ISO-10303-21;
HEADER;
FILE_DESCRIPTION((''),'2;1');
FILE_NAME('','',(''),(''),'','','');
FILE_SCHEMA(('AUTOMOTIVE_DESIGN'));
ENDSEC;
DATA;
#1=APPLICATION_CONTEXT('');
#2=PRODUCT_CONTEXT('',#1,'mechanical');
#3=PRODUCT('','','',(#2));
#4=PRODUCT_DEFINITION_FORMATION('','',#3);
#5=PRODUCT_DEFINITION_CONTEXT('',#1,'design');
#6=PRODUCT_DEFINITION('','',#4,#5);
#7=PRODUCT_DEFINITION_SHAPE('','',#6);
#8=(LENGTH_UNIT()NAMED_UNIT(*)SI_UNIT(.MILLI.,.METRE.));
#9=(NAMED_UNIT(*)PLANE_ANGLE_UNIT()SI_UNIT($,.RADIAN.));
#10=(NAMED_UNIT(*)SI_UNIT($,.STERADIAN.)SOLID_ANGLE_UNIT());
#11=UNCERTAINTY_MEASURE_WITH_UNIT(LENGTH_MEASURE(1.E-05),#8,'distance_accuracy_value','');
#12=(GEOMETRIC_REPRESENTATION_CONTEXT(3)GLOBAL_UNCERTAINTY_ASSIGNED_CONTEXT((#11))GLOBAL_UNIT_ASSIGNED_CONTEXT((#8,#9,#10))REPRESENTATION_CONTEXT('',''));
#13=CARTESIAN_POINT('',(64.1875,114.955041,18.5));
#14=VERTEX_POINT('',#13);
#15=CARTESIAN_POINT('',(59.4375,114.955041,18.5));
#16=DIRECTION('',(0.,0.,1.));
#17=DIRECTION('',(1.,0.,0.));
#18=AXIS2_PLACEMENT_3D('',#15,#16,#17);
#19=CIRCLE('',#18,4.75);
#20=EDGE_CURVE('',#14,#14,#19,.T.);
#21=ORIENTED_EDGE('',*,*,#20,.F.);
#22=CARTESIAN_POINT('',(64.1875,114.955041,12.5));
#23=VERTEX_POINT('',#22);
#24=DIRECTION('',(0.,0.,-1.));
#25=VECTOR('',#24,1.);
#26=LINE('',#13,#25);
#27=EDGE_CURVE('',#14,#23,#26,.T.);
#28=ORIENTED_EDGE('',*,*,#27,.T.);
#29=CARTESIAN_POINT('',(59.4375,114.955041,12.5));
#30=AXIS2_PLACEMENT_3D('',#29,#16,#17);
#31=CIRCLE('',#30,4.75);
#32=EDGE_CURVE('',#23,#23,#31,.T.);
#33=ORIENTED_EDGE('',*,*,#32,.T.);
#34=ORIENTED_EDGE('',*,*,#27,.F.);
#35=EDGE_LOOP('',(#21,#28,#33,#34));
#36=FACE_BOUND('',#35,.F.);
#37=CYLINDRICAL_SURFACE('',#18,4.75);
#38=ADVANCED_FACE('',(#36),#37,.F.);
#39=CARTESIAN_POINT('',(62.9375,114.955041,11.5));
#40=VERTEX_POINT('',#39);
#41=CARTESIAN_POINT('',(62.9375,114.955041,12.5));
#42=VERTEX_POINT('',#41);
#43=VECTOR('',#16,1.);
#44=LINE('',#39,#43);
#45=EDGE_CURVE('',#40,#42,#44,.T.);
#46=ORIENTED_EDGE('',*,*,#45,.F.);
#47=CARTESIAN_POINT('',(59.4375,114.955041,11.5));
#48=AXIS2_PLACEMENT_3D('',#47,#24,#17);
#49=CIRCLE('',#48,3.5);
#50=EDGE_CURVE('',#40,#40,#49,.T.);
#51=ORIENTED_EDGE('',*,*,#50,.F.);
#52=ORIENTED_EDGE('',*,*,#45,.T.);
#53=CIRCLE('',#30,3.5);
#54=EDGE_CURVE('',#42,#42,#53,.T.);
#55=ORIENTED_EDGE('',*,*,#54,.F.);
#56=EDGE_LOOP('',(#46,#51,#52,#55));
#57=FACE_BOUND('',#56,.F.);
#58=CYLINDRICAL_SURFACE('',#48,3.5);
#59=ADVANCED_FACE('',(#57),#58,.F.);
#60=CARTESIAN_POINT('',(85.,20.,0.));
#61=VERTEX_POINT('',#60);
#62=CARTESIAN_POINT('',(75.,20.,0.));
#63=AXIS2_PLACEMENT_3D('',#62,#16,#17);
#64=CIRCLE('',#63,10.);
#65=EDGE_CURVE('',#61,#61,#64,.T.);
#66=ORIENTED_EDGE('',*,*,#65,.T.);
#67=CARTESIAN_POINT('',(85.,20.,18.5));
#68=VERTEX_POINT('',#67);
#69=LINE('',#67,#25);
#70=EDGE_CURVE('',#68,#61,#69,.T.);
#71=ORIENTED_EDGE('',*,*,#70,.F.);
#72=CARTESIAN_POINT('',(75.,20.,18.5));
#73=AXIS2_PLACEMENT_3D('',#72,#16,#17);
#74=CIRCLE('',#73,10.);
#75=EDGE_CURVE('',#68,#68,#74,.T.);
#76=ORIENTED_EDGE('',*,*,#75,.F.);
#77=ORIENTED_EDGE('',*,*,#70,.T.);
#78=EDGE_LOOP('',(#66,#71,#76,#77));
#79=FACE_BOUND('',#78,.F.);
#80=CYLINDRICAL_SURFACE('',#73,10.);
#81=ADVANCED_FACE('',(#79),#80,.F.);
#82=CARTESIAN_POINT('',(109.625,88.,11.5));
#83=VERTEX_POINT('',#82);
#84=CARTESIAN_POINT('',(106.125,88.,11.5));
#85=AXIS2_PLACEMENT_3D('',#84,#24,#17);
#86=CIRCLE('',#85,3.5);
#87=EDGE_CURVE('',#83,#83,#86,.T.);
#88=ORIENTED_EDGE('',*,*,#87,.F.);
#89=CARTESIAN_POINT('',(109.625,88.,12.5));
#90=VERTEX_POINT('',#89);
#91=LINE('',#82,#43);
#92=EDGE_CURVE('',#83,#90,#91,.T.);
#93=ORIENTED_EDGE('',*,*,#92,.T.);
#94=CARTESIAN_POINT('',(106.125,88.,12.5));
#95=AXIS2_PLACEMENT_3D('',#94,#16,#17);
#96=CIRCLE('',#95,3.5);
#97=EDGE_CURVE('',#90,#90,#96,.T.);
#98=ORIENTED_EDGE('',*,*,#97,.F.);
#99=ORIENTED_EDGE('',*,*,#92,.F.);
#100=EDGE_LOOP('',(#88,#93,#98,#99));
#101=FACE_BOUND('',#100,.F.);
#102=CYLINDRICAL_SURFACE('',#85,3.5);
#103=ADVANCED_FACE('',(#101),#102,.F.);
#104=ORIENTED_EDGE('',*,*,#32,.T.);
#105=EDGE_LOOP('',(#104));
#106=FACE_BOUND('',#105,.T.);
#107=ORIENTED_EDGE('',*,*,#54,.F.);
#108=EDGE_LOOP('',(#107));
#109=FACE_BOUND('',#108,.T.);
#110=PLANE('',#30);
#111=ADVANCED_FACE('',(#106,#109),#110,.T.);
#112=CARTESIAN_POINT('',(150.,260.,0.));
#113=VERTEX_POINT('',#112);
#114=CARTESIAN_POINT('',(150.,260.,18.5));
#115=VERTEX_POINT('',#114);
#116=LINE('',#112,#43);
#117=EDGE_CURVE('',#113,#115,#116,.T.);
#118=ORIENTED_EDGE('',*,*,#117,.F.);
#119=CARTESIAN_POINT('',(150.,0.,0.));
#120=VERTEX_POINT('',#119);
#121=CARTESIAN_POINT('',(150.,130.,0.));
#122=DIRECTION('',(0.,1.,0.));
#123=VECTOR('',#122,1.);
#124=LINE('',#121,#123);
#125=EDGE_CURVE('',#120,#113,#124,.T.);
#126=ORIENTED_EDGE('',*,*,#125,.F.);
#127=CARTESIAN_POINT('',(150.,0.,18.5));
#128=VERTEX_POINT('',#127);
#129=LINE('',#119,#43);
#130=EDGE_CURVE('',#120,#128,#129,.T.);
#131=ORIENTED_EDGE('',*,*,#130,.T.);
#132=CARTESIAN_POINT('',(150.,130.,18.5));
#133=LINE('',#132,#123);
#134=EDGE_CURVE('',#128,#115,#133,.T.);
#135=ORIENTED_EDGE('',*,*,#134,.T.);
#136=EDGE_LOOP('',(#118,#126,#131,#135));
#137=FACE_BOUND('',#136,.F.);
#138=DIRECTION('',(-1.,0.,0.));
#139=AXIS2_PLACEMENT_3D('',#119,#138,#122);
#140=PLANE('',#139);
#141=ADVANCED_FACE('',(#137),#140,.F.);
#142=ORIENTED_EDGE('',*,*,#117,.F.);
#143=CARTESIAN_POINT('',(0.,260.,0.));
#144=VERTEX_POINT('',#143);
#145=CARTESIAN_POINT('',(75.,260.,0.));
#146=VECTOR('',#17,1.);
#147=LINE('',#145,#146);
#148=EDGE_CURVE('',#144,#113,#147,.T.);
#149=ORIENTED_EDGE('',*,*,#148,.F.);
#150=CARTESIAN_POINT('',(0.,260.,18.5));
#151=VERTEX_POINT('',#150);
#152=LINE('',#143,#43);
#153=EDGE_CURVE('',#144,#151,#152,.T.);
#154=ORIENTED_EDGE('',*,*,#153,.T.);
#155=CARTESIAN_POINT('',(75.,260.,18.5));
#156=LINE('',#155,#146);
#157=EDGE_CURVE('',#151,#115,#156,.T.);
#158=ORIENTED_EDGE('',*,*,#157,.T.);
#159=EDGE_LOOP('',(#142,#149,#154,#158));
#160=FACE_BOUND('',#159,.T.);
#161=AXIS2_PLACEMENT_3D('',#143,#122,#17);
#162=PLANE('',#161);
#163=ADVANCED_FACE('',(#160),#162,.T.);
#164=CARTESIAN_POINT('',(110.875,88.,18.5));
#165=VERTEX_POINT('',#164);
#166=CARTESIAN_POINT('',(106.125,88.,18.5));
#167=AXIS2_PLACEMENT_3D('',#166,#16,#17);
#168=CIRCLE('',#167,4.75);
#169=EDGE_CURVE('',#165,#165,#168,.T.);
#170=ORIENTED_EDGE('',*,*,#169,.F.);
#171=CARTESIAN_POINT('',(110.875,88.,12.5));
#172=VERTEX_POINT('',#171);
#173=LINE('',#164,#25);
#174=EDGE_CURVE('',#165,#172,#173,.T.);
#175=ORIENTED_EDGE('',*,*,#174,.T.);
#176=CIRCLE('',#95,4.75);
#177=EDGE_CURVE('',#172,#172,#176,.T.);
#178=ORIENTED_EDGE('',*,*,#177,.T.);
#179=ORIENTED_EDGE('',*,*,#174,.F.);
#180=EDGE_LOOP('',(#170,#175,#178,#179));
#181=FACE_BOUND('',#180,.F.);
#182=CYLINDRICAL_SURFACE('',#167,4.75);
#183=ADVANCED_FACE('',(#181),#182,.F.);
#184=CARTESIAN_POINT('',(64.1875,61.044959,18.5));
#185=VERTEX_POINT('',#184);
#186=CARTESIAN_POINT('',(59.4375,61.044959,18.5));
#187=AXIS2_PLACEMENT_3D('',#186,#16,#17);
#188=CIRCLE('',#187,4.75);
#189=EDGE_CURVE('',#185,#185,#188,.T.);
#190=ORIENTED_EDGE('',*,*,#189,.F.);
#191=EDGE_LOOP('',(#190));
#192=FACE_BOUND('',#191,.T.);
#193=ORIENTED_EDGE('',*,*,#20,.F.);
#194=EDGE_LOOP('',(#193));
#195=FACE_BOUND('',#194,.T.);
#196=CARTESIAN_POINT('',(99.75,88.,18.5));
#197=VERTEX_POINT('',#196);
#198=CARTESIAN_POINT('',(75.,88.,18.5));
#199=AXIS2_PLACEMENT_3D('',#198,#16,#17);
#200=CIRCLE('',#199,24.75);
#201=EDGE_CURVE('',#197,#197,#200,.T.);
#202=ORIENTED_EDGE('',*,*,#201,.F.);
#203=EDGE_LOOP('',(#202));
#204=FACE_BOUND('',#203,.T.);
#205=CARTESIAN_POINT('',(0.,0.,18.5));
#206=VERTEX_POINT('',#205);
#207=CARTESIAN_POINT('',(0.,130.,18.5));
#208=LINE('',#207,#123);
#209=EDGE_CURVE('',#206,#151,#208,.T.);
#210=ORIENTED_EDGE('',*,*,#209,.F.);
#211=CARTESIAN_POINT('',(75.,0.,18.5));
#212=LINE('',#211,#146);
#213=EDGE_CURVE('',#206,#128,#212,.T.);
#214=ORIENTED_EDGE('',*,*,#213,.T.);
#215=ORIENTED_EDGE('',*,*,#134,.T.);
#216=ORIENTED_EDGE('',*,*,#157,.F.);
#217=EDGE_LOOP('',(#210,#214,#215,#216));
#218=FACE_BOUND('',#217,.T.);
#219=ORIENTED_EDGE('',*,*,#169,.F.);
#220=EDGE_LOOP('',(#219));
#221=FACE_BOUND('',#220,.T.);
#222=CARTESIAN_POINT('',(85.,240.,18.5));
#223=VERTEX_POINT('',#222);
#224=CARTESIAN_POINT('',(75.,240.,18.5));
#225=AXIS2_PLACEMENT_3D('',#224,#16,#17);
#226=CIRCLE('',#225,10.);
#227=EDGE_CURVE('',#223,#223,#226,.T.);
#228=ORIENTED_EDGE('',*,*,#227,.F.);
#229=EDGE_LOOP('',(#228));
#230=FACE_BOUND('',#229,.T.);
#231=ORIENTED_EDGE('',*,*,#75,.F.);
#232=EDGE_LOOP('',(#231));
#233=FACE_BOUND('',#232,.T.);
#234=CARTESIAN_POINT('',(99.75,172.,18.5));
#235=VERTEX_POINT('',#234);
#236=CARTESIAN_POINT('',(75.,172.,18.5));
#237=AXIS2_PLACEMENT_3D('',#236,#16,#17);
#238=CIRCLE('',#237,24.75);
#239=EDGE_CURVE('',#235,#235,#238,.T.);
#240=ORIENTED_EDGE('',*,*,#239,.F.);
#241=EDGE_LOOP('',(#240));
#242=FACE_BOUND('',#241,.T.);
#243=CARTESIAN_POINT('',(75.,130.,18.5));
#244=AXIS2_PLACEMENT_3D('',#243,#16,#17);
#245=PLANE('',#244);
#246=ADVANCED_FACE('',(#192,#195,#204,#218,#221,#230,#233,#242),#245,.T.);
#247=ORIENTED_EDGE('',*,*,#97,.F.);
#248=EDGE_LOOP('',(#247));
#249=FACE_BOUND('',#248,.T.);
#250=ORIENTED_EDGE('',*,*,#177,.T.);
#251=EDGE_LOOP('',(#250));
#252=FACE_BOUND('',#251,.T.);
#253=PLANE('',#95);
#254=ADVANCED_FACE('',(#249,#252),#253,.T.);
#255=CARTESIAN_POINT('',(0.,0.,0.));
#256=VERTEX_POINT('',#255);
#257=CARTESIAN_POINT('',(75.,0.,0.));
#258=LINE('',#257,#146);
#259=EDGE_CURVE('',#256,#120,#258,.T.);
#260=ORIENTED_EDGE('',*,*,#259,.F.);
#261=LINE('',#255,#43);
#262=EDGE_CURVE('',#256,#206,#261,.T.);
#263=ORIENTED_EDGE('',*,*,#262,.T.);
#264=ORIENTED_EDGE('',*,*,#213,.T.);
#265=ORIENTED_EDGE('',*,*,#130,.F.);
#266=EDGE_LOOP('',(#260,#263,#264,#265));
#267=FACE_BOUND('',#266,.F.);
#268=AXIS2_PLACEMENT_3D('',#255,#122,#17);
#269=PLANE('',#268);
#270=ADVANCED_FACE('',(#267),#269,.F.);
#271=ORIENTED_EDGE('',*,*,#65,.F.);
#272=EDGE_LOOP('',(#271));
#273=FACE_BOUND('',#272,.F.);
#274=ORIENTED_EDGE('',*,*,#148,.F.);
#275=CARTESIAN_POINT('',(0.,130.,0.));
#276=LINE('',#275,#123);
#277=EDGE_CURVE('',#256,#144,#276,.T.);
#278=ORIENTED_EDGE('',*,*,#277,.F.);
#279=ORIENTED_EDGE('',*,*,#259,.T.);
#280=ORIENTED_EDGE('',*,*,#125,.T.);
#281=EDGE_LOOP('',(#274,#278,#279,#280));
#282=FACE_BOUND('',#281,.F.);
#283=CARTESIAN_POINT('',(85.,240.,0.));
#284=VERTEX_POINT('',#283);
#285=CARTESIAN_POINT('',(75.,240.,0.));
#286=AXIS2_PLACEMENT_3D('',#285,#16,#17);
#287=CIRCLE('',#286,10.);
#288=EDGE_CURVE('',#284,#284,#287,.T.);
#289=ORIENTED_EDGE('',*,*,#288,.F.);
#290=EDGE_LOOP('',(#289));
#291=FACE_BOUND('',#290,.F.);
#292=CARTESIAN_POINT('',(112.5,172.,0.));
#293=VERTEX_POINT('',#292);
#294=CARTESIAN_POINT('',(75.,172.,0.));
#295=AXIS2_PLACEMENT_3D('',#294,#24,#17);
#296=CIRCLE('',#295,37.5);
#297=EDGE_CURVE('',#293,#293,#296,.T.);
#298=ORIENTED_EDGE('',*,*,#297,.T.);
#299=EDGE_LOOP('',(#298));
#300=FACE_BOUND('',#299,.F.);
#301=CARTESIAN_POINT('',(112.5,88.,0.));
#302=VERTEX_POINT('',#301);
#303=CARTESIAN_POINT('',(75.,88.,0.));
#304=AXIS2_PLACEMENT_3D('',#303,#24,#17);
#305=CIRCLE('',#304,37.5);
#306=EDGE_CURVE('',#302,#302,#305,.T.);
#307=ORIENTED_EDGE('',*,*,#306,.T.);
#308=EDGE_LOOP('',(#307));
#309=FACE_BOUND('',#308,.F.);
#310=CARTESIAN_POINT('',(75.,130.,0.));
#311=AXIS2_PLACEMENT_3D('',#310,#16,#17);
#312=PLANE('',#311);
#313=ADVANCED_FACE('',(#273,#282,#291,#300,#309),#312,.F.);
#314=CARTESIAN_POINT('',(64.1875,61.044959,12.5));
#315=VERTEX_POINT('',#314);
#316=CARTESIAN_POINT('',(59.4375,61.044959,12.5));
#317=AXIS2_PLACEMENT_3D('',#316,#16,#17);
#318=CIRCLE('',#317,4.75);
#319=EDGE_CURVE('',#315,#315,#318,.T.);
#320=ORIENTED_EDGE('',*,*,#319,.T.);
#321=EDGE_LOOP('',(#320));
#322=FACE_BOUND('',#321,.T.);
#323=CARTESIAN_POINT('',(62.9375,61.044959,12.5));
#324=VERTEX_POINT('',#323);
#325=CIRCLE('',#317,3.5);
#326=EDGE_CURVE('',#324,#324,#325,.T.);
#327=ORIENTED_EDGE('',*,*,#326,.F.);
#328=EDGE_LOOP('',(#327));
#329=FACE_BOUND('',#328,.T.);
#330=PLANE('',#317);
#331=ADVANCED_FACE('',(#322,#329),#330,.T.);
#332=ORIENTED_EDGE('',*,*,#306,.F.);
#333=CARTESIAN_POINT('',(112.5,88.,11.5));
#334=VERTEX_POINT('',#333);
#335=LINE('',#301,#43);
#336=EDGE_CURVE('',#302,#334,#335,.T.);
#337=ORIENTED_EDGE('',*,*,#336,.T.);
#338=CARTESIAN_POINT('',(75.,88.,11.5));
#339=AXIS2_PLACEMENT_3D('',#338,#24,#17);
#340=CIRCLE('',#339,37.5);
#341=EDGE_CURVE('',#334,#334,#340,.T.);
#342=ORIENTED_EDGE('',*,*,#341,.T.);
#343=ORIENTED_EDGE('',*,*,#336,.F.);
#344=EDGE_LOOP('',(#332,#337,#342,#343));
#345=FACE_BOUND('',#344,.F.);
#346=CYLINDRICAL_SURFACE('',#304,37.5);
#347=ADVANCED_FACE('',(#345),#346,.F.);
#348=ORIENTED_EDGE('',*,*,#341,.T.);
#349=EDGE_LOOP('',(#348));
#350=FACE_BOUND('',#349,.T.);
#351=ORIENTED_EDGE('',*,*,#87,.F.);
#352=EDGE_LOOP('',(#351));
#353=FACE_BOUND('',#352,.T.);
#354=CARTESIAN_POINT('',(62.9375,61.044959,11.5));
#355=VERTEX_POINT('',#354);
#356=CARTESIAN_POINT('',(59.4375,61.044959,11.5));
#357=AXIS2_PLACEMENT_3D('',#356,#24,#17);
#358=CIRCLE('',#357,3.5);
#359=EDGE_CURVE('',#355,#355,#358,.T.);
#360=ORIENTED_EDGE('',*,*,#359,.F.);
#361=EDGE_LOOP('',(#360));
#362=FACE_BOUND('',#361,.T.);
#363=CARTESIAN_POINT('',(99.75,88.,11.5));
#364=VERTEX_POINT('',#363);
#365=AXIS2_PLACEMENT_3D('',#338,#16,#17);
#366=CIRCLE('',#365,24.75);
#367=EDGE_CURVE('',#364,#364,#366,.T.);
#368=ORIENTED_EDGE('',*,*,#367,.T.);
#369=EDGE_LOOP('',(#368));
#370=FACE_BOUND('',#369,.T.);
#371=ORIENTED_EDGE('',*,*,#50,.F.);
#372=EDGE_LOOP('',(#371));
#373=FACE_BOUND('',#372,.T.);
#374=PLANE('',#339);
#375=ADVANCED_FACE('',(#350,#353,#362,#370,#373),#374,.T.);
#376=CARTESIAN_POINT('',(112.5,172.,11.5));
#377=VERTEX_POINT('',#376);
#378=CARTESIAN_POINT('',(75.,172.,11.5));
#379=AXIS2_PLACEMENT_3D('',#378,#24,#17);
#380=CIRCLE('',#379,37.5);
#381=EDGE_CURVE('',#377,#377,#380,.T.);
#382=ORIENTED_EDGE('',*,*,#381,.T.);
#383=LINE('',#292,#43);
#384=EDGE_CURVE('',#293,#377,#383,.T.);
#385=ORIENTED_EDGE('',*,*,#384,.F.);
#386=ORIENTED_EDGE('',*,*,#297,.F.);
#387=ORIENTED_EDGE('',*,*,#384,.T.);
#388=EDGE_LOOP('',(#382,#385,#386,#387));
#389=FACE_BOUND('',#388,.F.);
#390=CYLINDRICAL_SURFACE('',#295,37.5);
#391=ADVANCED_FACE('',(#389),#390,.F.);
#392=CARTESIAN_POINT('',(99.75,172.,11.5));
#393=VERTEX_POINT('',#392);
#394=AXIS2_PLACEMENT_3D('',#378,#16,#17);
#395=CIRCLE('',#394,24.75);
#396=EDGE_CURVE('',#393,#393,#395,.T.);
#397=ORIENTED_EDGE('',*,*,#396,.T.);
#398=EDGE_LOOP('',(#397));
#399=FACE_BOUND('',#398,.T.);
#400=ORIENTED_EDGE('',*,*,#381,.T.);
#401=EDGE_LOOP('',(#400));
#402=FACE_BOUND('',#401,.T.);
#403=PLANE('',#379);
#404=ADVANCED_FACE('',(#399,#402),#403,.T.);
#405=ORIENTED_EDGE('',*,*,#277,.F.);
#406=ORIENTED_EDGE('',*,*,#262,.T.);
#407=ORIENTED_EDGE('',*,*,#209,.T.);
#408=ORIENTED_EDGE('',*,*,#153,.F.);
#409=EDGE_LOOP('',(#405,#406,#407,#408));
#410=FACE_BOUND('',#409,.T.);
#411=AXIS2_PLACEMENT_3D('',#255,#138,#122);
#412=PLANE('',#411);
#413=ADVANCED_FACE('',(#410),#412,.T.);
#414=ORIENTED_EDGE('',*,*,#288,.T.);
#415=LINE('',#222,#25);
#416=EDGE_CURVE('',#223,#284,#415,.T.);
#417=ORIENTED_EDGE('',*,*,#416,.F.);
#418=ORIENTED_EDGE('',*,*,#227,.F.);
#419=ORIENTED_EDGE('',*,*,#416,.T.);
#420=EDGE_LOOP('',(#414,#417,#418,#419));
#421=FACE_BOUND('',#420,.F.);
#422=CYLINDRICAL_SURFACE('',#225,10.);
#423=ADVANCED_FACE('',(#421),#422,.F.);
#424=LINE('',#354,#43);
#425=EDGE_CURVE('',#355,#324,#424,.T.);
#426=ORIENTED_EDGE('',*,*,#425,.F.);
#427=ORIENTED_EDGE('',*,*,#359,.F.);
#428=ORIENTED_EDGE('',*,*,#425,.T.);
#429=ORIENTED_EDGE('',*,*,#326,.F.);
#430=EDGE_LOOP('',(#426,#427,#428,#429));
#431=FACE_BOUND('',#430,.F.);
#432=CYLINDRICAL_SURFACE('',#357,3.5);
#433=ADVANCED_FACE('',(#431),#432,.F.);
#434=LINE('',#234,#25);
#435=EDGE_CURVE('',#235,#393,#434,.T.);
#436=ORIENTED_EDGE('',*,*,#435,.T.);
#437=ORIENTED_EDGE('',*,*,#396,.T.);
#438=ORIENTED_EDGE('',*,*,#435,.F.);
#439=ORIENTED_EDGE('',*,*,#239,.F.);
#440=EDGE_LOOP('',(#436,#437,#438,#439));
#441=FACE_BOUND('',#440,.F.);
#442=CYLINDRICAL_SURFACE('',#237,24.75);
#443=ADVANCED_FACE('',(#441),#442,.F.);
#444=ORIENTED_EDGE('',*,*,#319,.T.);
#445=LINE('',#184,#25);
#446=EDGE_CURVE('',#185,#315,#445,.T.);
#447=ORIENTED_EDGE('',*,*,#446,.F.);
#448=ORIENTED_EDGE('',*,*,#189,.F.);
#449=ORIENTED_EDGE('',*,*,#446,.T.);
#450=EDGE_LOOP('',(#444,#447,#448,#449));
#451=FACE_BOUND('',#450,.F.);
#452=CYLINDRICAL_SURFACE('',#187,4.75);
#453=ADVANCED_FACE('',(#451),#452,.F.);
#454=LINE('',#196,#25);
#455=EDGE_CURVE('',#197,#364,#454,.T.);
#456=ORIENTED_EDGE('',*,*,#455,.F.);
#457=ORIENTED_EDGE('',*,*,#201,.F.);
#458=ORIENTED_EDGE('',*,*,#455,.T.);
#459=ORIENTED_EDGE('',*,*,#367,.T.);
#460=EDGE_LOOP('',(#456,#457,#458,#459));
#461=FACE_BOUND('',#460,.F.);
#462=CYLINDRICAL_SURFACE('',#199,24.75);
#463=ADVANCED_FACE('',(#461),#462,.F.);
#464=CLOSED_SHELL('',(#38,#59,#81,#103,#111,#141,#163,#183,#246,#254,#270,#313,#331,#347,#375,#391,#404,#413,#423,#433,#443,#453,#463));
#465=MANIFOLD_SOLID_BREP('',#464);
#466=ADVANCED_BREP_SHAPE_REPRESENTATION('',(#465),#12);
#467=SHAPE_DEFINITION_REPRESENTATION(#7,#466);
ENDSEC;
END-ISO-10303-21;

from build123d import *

# Parameters (mm, degrees)
F0_W      = 150
F0_H      = 260
F1_DEPTH  = 18.5
F2_R      = 10
F3_DEPTH  = 25.4
F4_R      = 24.75
F5_DEPTH  = 25.4
F6_R      = 37.5
F7_DEPTH  = 11.5
F8_R      = 3.5
F9_DEPTH  = 25.4
F10_R     = 4.75
F10_R_2   = 3.5
F11_DEPTH = 6


with BuildPart() as f1:
    # F0 (on Top) → F1 (new body)
    with BuildSketch(Plane.XY):
        with Locations((75, 130)):
            Rectangle(F0_W, F0_H)
    extrude(amount=F1_DEPTH)

    # F2 (on face) → F3 (cut)
    with BuildSketch(Plane.XY.offset(18.5)):
        with Locations((75, 240)):
            Circle(F2_R)
        with Locations((75, 20)):
            Circle(F2_R)
    extrude(amount=-F3_DEPTH, mode=Mode.SUBTRACT)

    # F4 (on face) → F5 (cut)
    with BuildSketch(Plane.XY.offset(18.5)):
        with Locations((75, 172)):
            Circle(F4_R)
        with Locations((75, 88)):
            Circle(F4_R)
    extrude(amount=-F5_DEPTH, mode=Mode.SUBTRACT)

    # F6 (on face) → F7 (cut)
    with BuildSketch(Plane(origin=(0, 0, 0), x_dir=(1, 0, 0), z_dir=(0, 0, -1))):
        with Locations((75, -88)):
            Circle(F6_R)
        with Locations((75, -172)):
            Circle(F6_R)
    extrude(amount=-F7_DEPTH, mode=Mode.SUBTRACT)

    # F8 (on face) → F9 (cut)
    with BuildSketch(Plane(origin=(0, 0, 11.5), x_dir=(1, 0, 0), z_dir=(0, 0, -1))):
        with Locations((106.125, -88)):
            Circle(F8_R)
        with Locations((59.4375, -61.0449593072)):
            Circle(F8_R)
        with Locations((59.4375, -114.9550406928)):
            Circle(F8_R)
    extrude(amount=-F9_DEPTH, mode=Mode.SUBTRACT)

    # F10 (on face) → F11 (cut)
    with BuildSketch(Plane.XY.offset(18.5)):
        with Locations((59.4375, 61.0449593072)):
            Circle(F10_R)
        with Locations((59.4375, 61.0449593072)):
            Circle(F10_R_2, mode=Mode.SUBTRACT)
        with Locations((59.4375, 114.9550406928)):
            Circle(F10_R)
        with Locations((59.4375, 114.9550406928)):
            Circle(F10_R_2, mode=Mode.SUBTRACT)
        with Locations((106.125, 88)):
            Circle(F10_R)
        with Locations((106.125, 88)):
            Circle(F10_R_2, mode=Mode.SUBTRACT)
    extrude(amount=-F11_DEPTH, mode=Mode.SUBTRACT)


solid = f1.part
